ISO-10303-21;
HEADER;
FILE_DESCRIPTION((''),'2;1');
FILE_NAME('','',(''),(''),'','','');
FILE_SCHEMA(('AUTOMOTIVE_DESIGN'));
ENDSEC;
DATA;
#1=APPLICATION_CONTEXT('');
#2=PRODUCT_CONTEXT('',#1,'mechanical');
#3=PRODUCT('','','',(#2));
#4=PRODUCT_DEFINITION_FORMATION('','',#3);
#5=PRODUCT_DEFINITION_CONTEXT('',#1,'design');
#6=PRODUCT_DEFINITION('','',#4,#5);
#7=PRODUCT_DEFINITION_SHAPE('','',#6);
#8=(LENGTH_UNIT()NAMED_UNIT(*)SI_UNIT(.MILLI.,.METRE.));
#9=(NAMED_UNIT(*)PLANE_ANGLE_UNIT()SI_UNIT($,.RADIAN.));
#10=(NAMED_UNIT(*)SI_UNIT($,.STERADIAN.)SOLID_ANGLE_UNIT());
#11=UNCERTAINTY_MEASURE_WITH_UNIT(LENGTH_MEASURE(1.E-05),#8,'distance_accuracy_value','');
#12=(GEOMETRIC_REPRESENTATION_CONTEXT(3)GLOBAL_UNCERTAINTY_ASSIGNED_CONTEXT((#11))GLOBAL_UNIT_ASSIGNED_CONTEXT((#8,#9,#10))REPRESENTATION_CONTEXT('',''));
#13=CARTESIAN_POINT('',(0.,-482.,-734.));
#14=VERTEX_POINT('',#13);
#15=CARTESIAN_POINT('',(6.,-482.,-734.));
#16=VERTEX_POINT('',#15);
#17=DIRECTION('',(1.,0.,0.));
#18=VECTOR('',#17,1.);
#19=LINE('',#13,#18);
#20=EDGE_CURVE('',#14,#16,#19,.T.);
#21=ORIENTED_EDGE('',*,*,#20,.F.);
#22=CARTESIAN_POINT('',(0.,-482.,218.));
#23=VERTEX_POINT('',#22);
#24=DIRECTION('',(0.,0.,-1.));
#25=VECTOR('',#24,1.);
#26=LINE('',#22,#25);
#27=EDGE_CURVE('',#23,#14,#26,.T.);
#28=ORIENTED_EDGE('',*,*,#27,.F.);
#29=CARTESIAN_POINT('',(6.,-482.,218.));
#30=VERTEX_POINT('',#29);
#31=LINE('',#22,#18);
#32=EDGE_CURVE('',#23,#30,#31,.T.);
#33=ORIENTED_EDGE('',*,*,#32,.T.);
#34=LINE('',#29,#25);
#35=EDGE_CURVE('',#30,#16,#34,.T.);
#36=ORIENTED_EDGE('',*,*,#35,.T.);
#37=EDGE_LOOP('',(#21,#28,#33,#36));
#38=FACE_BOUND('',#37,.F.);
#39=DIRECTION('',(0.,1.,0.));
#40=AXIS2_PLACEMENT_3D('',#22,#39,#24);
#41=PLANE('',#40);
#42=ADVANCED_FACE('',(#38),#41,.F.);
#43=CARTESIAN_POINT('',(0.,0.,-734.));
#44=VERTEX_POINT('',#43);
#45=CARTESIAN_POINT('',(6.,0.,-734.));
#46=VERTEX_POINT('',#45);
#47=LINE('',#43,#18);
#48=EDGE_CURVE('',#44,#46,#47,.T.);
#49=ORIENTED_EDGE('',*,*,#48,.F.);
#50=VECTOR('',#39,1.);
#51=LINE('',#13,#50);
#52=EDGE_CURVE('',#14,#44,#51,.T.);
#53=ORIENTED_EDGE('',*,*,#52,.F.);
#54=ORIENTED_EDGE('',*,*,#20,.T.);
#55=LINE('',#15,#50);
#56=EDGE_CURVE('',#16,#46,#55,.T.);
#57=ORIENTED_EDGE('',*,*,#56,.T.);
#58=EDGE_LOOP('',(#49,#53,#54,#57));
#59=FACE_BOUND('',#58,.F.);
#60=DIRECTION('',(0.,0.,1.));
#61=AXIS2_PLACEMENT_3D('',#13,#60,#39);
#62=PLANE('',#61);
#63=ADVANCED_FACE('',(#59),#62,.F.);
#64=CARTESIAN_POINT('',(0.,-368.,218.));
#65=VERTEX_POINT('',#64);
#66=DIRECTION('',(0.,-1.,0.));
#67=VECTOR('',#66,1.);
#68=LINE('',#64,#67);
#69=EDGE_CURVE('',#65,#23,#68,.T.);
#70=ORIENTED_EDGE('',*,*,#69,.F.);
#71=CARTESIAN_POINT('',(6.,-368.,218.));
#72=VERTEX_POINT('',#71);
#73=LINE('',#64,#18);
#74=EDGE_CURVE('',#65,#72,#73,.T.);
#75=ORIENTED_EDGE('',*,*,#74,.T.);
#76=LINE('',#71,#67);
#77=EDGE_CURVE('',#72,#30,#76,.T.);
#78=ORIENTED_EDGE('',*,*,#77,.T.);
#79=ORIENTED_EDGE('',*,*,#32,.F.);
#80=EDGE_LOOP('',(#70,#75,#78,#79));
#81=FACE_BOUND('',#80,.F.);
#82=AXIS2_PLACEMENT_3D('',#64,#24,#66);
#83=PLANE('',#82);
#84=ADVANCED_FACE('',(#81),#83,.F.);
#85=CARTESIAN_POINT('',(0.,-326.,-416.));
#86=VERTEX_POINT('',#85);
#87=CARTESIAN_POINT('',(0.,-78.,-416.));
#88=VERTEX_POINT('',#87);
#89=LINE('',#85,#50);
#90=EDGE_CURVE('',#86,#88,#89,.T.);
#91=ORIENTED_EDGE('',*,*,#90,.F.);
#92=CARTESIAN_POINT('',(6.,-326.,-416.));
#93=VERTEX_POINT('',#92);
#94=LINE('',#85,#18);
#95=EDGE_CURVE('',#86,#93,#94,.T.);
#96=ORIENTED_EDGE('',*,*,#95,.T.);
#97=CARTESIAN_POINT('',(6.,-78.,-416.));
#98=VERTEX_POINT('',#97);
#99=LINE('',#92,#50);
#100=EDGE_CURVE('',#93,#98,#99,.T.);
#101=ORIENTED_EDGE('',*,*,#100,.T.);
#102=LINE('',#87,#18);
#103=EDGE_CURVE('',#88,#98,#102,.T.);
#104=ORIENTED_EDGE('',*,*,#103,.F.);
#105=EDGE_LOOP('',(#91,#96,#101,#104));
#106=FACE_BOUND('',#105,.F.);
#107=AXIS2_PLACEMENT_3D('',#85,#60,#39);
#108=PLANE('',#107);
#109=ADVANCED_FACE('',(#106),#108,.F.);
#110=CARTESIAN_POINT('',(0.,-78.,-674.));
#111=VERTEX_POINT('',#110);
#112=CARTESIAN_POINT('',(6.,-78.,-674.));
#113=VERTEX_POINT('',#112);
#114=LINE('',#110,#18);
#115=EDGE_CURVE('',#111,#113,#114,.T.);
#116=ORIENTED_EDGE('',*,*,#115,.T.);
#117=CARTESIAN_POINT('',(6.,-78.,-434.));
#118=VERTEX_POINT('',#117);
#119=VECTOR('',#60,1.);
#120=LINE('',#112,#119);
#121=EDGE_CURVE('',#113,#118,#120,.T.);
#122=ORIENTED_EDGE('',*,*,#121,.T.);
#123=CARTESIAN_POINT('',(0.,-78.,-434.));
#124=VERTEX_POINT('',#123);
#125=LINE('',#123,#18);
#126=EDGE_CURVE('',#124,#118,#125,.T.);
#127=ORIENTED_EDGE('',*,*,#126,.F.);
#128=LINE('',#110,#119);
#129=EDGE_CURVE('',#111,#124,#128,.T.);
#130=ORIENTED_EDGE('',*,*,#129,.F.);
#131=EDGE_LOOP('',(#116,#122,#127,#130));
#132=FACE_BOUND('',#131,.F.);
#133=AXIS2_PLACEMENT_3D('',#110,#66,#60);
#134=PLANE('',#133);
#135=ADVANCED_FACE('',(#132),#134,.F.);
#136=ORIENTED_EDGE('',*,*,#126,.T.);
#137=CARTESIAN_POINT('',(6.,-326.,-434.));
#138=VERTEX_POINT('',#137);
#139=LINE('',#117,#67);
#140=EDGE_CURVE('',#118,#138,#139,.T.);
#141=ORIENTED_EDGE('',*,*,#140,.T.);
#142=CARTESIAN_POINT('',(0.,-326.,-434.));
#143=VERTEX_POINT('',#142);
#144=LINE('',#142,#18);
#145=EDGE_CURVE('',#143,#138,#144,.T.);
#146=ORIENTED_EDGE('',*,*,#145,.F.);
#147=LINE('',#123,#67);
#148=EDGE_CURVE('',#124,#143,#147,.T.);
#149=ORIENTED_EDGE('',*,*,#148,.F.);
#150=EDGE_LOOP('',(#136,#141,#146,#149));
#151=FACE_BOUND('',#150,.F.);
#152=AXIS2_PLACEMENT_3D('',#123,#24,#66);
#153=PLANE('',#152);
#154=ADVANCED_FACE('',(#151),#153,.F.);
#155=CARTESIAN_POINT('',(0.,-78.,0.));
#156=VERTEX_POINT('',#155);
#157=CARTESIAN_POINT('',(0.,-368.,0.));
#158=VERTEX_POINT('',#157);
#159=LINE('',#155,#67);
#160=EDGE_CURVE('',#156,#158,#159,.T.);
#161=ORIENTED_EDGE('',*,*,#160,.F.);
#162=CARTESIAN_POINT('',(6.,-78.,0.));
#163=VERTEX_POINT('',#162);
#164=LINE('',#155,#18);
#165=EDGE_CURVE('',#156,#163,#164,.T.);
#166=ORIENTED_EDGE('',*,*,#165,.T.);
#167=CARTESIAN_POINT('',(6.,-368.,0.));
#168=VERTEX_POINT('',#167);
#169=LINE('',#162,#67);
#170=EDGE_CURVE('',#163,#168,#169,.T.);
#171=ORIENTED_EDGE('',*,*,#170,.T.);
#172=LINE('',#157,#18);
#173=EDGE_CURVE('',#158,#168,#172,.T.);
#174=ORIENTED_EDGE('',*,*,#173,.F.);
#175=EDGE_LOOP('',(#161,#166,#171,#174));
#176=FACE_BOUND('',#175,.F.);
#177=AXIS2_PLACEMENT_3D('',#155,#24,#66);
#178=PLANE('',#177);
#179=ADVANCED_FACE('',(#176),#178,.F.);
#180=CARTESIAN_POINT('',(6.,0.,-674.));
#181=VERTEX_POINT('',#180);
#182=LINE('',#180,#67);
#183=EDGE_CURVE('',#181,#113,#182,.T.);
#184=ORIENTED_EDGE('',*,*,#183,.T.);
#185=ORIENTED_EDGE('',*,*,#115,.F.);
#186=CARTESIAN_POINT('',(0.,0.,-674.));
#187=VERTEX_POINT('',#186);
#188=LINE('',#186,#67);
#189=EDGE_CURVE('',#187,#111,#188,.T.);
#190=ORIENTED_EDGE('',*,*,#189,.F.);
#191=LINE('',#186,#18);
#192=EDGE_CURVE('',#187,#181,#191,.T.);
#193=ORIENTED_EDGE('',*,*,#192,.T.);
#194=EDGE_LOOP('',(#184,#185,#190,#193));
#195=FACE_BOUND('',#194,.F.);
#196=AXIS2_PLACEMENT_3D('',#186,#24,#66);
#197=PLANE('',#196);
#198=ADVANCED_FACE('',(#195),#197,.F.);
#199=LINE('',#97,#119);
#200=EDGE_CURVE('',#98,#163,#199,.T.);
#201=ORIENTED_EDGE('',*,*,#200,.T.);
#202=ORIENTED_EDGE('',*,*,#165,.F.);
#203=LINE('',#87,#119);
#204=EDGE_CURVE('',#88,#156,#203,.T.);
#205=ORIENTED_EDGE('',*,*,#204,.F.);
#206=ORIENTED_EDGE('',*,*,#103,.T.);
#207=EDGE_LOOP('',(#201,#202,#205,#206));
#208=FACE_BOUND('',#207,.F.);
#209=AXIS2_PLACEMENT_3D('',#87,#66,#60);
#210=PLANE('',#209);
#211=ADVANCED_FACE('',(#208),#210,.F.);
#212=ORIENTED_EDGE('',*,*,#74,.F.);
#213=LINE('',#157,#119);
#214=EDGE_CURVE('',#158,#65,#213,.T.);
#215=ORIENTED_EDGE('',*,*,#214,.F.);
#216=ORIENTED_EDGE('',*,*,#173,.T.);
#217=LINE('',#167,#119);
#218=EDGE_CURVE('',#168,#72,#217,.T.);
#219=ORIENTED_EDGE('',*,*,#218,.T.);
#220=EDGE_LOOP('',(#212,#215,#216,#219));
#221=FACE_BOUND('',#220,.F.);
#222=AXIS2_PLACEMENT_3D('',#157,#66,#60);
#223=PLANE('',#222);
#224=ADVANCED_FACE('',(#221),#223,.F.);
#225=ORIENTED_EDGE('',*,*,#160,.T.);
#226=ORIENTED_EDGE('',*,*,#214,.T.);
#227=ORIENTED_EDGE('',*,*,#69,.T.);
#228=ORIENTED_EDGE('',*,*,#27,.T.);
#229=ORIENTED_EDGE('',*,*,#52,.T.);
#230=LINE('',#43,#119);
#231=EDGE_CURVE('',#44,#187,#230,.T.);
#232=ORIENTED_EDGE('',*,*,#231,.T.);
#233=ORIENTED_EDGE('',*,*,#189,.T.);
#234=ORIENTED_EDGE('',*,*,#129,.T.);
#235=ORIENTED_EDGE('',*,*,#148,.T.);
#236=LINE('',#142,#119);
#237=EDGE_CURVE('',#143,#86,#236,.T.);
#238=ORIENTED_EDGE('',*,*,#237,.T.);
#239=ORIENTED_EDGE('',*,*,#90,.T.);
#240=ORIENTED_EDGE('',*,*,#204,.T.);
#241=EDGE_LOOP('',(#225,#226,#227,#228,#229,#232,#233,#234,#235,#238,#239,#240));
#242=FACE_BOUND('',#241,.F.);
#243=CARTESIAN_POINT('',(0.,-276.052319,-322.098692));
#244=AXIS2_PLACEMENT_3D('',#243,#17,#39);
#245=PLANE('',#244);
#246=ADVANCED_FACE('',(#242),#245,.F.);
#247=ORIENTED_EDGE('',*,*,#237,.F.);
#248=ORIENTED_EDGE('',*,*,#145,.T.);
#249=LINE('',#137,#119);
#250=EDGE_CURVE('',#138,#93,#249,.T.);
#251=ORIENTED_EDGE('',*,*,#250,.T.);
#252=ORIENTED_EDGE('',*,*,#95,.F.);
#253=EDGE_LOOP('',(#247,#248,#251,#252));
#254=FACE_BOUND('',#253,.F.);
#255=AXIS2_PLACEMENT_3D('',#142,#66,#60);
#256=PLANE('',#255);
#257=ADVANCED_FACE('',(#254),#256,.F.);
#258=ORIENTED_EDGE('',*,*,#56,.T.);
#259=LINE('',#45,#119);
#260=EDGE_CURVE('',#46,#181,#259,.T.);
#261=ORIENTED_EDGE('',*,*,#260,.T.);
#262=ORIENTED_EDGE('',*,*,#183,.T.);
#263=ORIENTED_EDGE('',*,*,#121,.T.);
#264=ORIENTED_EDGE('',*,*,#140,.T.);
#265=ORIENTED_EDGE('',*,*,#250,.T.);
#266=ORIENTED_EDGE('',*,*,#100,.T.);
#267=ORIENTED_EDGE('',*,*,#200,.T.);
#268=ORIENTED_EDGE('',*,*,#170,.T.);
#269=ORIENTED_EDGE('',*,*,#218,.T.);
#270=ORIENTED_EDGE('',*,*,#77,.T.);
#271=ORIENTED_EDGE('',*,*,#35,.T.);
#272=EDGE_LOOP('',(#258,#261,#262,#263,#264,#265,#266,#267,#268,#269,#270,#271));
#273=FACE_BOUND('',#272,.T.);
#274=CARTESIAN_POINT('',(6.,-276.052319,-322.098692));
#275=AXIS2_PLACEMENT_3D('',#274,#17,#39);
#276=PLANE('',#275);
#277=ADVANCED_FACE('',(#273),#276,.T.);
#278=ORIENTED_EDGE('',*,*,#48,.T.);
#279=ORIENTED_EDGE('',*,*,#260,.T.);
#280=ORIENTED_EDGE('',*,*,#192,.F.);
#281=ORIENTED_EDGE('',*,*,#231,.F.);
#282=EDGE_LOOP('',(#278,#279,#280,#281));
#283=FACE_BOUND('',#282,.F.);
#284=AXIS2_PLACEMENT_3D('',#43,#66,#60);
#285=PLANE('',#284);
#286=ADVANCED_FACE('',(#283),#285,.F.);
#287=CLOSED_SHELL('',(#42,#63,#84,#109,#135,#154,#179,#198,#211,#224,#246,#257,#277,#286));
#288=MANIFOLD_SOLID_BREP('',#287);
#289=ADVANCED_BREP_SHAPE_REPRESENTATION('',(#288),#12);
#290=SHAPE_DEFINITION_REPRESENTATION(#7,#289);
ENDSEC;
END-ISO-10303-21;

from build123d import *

# Parameters (mm, degrees)
F1_DEPTH = 6


with BuildPart() as f1:
    # F0 (on Right) → F1 (new body)
    with BuildSketch(Plane.YZ):
        Polygon((-368, 218), (-482, 218), (-482, -734), (0, -734), (0, -674), (-60, -674), (-78, -674), (-78, -434), (-326, -434), (-326, -416), (-78, -416), (-78, 0), (-368, 0), align=None)
    extrude(amount=F1_DEPTH)


solid = f1.part
